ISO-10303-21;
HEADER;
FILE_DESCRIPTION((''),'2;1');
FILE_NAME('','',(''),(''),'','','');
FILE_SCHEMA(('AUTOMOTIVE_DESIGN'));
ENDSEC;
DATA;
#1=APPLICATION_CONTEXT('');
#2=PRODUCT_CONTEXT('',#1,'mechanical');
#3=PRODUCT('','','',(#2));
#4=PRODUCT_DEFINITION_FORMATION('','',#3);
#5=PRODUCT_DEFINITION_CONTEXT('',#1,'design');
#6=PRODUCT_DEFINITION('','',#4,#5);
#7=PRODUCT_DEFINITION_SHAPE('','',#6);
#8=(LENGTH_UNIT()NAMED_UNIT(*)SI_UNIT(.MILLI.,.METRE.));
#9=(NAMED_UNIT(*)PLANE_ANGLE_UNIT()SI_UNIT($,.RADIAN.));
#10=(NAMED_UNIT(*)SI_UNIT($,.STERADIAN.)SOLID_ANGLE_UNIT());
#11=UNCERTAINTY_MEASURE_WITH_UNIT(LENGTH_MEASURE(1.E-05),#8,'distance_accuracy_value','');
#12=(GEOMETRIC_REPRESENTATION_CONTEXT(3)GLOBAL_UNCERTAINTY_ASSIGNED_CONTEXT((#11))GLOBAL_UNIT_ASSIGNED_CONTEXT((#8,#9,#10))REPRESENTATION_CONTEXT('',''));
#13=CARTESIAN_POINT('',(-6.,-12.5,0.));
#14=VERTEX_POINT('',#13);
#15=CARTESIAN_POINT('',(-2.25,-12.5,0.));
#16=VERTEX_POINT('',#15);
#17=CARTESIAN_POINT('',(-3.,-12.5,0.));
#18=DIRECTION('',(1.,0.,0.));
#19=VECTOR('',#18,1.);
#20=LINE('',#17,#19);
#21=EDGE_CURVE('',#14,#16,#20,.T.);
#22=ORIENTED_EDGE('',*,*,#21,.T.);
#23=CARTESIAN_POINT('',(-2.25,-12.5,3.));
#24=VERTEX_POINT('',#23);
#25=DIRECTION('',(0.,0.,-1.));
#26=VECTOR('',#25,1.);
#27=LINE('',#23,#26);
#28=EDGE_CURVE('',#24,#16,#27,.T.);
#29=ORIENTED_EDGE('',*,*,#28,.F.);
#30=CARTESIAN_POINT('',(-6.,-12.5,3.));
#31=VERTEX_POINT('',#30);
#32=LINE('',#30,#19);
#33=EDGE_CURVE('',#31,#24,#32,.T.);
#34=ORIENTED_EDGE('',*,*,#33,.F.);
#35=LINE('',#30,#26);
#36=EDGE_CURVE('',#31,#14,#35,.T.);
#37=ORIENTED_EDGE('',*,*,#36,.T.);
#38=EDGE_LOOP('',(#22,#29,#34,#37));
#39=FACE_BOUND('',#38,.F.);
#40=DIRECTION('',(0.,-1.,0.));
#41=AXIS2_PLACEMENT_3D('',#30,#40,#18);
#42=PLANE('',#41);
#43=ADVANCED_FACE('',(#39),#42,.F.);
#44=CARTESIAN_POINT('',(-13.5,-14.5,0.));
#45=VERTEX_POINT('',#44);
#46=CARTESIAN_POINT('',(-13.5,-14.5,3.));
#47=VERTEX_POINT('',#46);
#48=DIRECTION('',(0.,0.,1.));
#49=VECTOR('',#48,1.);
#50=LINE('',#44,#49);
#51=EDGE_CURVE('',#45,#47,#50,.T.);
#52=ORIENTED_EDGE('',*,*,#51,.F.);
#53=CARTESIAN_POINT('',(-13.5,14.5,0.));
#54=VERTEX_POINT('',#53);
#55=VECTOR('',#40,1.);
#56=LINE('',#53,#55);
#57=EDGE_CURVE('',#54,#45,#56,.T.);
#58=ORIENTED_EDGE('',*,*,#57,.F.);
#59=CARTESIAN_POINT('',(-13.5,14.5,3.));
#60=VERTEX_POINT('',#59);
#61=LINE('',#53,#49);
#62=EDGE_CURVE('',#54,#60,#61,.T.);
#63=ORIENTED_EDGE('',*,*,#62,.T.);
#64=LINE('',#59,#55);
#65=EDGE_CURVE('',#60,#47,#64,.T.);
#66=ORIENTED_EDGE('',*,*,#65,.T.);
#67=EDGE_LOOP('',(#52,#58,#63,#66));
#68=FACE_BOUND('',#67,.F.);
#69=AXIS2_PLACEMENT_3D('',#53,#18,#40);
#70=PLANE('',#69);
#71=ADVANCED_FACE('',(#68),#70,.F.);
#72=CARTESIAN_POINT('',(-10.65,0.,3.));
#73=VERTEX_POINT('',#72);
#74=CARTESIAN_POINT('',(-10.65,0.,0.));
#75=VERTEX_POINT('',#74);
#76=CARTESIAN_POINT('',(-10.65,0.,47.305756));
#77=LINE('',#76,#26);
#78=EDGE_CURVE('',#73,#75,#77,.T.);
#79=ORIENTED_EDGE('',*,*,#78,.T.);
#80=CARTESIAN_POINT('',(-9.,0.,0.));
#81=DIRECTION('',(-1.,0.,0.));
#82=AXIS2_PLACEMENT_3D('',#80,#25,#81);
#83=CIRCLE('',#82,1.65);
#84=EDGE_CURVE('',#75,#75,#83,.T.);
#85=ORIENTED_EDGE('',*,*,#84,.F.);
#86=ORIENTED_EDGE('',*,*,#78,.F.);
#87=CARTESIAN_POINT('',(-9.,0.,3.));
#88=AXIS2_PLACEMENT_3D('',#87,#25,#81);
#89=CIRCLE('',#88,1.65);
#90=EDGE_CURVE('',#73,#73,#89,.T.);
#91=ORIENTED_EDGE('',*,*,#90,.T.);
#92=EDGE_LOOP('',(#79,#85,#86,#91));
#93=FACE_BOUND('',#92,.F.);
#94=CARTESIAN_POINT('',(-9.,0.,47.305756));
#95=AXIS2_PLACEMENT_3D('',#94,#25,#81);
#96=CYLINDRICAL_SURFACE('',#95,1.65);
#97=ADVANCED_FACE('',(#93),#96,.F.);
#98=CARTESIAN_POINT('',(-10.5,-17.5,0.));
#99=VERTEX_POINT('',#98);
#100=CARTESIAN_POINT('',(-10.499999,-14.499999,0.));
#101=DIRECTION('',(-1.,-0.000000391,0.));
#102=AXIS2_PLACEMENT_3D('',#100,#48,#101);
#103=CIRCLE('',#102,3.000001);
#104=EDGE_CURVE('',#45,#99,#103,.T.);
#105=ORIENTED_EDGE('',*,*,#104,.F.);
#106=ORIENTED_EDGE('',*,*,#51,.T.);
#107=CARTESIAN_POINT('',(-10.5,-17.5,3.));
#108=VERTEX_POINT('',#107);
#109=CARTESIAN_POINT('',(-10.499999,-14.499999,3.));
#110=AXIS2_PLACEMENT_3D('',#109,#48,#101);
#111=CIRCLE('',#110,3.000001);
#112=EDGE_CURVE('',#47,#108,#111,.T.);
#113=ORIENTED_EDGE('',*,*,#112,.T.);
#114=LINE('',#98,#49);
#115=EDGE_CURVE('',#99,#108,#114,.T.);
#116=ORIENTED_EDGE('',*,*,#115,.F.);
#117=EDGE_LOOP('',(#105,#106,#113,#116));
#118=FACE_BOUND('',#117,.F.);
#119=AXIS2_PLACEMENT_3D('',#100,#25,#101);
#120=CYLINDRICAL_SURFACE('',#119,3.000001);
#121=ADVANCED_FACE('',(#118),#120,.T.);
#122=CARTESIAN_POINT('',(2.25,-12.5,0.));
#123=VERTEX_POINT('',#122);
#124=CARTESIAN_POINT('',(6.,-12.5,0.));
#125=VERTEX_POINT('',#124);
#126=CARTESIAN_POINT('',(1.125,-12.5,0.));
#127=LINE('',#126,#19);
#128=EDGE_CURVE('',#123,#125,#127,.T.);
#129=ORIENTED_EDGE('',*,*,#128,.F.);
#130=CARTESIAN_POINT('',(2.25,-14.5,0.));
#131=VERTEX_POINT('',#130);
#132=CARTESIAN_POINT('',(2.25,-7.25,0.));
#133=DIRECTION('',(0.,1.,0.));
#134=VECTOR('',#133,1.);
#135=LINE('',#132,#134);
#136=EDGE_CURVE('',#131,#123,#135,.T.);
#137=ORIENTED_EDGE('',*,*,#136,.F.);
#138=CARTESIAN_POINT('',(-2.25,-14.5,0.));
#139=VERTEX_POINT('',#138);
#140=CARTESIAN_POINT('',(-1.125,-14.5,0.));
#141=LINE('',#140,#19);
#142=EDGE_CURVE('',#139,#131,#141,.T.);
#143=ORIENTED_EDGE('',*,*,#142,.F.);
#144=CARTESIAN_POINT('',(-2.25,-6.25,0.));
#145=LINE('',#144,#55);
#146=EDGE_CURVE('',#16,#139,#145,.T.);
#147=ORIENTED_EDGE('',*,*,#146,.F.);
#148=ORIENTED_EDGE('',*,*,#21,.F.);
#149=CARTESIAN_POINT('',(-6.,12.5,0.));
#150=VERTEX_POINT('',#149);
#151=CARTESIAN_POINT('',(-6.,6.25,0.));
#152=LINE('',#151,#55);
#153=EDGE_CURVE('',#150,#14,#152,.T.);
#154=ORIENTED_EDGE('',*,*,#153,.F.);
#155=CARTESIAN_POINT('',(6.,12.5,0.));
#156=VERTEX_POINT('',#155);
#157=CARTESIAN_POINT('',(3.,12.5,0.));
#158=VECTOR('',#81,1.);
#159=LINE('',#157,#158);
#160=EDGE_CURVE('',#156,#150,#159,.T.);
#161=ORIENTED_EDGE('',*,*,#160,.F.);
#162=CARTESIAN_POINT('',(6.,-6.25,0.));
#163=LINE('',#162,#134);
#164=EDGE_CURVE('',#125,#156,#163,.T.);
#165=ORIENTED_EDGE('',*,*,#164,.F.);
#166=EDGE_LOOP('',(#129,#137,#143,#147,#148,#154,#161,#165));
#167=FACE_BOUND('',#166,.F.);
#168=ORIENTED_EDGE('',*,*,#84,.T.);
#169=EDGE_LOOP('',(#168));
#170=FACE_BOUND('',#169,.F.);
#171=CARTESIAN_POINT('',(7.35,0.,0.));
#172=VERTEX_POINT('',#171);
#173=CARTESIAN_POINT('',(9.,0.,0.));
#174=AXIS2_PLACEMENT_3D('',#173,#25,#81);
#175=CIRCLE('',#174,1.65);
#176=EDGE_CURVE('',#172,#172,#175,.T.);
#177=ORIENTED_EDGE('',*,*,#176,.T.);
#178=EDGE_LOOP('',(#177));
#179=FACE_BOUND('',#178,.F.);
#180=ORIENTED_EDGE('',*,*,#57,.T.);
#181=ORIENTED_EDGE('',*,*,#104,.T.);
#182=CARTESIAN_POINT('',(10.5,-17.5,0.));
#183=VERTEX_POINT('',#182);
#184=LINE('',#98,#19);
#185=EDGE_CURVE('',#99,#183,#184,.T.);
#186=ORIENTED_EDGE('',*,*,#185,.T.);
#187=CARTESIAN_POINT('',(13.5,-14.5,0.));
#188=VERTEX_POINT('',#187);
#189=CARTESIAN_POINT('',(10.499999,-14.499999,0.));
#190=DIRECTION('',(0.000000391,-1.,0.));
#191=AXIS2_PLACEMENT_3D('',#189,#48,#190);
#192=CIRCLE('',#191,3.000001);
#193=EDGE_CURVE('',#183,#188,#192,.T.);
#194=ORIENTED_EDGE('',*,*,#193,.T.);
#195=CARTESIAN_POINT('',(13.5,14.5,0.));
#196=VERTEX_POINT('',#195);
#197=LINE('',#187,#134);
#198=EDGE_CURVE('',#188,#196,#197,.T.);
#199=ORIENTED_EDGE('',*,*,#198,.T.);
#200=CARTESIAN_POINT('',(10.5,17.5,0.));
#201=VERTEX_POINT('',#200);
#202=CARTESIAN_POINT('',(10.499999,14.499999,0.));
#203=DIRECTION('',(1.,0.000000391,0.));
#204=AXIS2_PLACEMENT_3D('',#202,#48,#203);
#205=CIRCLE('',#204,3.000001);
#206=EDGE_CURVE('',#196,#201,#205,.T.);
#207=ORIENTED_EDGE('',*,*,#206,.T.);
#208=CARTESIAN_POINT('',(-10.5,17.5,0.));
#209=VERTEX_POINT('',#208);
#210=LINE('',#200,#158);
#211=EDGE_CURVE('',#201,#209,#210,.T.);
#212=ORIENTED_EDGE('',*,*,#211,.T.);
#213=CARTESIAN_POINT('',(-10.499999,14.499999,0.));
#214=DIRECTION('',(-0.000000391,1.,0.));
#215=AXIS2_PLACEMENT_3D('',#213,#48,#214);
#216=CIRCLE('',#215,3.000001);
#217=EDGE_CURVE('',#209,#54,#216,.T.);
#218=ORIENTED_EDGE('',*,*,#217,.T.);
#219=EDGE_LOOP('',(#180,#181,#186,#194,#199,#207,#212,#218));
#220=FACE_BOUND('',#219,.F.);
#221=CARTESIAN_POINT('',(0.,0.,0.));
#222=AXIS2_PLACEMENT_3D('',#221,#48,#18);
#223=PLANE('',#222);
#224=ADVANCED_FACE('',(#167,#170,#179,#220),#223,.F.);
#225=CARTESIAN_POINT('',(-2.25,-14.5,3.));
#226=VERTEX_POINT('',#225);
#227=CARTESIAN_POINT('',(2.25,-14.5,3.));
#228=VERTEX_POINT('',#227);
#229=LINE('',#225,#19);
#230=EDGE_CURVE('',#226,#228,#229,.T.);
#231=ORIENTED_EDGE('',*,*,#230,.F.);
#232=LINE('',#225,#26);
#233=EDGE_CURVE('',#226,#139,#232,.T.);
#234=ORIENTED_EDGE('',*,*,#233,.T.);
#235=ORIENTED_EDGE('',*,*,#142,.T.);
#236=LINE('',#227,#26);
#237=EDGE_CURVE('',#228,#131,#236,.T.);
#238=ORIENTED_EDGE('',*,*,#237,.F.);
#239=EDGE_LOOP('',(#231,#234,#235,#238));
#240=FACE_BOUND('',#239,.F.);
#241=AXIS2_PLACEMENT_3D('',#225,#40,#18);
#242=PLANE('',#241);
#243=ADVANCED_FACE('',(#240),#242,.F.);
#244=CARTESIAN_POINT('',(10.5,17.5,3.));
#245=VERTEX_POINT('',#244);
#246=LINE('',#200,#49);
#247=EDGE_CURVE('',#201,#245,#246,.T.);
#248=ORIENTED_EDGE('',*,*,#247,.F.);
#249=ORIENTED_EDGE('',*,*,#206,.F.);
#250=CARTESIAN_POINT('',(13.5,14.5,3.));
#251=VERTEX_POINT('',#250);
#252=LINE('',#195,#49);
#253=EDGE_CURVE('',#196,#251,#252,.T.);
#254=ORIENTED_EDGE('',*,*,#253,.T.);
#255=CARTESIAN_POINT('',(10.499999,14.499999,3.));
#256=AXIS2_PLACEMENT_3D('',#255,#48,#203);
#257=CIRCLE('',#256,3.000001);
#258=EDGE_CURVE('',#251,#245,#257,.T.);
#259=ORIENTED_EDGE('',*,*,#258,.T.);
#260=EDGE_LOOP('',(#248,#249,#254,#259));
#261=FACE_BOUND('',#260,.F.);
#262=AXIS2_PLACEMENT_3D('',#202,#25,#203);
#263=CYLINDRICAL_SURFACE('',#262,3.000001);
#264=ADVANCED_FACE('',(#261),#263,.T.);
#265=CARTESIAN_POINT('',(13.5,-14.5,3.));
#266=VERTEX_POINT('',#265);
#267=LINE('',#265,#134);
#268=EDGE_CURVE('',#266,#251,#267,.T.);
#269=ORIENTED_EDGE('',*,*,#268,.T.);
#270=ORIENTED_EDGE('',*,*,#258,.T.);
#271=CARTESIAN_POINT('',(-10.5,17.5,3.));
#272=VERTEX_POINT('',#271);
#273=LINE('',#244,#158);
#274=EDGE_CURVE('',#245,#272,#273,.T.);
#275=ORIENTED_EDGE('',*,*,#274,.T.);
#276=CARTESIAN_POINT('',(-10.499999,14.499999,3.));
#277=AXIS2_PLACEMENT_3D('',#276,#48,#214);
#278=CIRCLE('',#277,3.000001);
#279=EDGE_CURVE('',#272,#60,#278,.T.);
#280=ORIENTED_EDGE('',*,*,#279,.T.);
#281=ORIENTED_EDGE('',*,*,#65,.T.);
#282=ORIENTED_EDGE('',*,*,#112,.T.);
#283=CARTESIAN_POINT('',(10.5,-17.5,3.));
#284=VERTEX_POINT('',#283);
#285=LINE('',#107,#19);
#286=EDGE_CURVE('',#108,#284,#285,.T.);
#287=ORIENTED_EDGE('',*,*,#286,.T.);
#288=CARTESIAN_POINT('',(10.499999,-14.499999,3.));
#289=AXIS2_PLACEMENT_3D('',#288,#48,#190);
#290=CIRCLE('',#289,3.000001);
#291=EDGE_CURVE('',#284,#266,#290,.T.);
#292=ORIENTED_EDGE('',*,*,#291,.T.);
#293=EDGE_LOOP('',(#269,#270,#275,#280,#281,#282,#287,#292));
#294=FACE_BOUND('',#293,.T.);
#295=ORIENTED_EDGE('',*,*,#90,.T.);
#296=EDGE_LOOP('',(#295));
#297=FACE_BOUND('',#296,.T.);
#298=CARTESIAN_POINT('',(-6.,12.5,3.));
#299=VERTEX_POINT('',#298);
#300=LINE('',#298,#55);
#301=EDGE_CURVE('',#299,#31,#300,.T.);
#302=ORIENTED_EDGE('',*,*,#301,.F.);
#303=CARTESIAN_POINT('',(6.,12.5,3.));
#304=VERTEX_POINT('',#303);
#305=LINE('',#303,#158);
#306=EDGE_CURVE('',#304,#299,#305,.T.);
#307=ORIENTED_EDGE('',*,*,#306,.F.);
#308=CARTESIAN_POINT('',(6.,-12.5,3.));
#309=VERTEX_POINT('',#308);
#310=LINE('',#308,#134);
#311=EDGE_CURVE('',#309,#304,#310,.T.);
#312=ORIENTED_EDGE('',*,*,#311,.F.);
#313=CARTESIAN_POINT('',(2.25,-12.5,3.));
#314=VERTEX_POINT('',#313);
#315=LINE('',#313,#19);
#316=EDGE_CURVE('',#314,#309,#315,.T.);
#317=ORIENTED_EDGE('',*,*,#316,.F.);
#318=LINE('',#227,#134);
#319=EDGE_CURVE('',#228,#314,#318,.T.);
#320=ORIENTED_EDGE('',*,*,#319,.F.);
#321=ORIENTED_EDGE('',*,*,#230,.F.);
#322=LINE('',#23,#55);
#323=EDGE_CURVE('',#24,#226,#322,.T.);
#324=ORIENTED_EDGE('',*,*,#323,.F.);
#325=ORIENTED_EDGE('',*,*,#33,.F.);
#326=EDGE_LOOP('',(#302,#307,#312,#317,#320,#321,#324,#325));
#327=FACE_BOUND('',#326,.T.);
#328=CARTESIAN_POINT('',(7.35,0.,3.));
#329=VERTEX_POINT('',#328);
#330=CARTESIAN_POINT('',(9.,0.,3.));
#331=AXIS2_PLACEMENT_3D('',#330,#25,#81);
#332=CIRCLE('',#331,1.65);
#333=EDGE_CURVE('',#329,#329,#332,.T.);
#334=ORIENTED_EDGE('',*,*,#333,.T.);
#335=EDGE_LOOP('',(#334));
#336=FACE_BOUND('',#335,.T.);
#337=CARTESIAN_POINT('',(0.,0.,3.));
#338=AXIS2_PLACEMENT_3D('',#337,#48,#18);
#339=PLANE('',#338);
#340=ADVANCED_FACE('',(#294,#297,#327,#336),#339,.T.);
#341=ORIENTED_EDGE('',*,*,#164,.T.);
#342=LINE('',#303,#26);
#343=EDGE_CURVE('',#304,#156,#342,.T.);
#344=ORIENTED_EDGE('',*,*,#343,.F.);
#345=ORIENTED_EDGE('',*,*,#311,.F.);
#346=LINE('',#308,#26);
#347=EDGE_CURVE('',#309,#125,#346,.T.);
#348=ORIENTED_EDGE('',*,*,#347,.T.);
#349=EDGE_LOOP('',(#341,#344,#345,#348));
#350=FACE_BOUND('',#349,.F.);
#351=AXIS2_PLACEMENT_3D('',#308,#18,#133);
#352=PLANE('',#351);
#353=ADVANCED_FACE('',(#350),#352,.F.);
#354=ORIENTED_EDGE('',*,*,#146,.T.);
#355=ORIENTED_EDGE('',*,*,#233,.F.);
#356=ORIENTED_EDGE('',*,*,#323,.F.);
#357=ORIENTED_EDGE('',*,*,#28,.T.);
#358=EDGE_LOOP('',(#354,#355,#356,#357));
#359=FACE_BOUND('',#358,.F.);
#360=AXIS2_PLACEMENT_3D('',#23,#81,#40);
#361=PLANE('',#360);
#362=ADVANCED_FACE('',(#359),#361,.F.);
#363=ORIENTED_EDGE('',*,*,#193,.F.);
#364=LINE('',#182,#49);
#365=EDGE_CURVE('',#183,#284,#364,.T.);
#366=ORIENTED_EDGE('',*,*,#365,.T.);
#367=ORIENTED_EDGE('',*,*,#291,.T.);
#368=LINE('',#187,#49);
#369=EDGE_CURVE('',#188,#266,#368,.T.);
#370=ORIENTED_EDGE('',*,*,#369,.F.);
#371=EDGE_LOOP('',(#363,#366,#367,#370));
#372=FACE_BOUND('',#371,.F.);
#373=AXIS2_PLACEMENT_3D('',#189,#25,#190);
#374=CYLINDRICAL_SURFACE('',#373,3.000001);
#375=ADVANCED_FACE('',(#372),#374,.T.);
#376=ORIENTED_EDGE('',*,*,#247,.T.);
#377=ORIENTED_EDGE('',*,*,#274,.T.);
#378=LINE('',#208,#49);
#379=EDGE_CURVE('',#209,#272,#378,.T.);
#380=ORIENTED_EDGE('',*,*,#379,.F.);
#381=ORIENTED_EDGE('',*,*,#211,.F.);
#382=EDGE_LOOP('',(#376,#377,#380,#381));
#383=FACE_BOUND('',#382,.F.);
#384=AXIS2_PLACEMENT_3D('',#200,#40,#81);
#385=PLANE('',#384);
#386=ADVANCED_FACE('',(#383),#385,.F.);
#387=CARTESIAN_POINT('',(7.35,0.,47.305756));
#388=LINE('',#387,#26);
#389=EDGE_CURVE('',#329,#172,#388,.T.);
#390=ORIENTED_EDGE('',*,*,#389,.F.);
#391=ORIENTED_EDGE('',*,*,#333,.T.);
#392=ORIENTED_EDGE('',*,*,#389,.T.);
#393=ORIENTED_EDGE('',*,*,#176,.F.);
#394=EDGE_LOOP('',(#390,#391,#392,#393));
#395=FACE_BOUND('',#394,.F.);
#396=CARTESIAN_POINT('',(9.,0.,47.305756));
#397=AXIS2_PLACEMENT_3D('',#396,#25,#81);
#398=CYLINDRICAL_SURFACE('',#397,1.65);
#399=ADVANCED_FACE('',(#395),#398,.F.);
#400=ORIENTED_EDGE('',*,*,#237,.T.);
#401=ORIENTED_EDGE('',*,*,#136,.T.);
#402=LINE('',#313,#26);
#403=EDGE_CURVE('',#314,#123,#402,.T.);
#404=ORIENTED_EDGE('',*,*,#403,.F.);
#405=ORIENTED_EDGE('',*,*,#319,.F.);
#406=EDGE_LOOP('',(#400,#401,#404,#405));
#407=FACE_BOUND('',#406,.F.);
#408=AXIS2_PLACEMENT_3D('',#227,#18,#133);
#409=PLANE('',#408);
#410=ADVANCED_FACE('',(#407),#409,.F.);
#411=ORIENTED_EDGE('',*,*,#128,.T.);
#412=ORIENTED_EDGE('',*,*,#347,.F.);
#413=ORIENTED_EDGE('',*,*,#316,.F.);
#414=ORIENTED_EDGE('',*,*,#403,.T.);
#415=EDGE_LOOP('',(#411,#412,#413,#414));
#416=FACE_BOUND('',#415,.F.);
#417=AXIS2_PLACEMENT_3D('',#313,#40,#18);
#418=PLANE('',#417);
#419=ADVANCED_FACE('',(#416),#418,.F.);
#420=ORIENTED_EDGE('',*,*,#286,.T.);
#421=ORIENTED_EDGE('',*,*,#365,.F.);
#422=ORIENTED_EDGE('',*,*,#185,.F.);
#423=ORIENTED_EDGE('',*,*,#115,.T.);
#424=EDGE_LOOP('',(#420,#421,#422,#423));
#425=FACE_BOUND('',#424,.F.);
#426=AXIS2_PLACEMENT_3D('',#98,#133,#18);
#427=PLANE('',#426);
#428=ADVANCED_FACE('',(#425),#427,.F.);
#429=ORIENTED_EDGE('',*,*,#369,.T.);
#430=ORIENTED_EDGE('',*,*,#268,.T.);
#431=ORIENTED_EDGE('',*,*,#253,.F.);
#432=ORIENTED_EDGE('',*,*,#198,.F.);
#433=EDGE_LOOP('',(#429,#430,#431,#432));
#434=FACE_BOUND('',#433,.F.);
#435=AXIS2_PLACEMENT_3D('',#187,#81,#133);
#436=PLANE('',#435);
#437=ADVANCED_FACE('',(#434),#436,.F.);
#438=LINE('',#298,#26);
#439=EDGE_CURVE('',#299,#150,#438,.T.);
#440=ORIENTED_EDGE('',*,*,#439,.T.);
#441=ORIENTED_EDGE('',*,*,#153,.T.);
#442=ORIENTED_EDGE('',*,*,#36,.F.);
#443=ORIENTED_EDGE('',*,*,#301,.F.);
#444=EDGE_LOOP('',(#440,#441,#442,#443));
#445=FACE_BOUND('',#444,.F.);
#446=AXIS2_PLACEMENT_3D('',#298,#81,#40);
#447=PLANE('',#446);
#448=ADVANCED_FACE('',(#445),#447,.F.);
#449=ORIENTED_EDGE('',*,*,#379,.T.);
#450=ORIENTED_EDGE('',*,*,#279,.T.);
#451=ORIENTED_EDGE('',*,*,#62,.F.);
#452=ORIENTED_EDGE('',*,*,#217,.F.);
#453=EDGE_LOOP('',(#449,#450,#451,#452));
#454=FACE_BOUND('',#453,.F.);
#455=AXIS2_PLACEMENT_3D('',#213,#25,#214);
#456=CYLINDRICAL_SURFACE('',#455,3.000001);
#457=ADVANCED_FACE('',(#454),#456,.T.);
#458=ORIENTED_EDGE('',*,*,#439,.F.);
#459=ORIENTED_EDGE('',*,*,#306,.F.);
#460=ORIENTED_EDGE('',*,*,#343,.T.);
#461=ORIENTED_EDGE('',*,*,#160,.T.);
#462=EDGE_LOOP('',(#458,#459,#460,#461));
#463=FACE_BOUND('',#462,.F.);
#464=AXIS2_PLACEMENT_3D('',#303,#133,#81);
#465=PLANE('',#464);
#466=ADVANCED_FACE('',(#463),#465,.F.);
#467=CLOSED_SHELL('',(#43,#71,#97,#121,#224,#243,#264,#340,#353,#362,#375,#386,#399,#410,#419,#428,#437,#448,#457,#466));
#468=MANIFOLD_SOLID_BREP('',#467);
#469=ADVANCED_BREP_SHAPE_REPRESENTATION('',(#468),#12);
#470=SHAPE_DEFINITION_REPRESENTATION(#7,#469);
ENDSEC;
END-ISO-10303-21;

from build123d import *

# Parameters (mm, degrees)
F1_DEPTH = 3
F3_D     = 3.3
F5_DEPTH = 3.001


with BuildPart() as f1:
    # F0 (on Top) → F1 (new body)
    with BuildSketch(Plane.XY):
        with BuildLine():
            Line((10.5, 17.5), (-10.5, 17.5))
            ThreePointArc((-10.5, 17.5), (-12.62132, 16.62132), (-13.5, 14.5))
            Line((-13.5, 14.5), (-13.5, -14.5))
            ThreePointArc((-13.5, -14.5), (-12.62132, -16.62132), (-10.5, -17.5))
            Line((-10.5, -17.5), (10.5, -17.5))
            ThreePointArc((10.5, -17.5), (12.62132, -16.62132), (13.5, -14.5))
            Line((13.5, -14.5), (13.5, 14.5))
            ThreePointArc((13.5, 14.5), (12.62132, 16.62132), (10.5, 17.5))
        make_face()
    extrude(amount=F1_DEPTH)

    # F3 (through all)
    with Locations(Plane.XY.offset(3)):
        with Locations((-9, 0), (9, 0)):
            Hole(F3_D / 2)

    # F4 (on face) → F5 (cut, through all)
    with BuildSketch(Plane.XY.offset(3)):
        Polygon((6, 12.5), (-6, 12.5), (-6, -12.5), (-2.25, -12.5), (-2.25, -14.5), (2.25, -14.5), (2.25, -12.5), (6, -12.5), align=None)
    extrude(amount=-F5_DEPTH, mode=Mode.SUBTRACT)


solid = f1.part
